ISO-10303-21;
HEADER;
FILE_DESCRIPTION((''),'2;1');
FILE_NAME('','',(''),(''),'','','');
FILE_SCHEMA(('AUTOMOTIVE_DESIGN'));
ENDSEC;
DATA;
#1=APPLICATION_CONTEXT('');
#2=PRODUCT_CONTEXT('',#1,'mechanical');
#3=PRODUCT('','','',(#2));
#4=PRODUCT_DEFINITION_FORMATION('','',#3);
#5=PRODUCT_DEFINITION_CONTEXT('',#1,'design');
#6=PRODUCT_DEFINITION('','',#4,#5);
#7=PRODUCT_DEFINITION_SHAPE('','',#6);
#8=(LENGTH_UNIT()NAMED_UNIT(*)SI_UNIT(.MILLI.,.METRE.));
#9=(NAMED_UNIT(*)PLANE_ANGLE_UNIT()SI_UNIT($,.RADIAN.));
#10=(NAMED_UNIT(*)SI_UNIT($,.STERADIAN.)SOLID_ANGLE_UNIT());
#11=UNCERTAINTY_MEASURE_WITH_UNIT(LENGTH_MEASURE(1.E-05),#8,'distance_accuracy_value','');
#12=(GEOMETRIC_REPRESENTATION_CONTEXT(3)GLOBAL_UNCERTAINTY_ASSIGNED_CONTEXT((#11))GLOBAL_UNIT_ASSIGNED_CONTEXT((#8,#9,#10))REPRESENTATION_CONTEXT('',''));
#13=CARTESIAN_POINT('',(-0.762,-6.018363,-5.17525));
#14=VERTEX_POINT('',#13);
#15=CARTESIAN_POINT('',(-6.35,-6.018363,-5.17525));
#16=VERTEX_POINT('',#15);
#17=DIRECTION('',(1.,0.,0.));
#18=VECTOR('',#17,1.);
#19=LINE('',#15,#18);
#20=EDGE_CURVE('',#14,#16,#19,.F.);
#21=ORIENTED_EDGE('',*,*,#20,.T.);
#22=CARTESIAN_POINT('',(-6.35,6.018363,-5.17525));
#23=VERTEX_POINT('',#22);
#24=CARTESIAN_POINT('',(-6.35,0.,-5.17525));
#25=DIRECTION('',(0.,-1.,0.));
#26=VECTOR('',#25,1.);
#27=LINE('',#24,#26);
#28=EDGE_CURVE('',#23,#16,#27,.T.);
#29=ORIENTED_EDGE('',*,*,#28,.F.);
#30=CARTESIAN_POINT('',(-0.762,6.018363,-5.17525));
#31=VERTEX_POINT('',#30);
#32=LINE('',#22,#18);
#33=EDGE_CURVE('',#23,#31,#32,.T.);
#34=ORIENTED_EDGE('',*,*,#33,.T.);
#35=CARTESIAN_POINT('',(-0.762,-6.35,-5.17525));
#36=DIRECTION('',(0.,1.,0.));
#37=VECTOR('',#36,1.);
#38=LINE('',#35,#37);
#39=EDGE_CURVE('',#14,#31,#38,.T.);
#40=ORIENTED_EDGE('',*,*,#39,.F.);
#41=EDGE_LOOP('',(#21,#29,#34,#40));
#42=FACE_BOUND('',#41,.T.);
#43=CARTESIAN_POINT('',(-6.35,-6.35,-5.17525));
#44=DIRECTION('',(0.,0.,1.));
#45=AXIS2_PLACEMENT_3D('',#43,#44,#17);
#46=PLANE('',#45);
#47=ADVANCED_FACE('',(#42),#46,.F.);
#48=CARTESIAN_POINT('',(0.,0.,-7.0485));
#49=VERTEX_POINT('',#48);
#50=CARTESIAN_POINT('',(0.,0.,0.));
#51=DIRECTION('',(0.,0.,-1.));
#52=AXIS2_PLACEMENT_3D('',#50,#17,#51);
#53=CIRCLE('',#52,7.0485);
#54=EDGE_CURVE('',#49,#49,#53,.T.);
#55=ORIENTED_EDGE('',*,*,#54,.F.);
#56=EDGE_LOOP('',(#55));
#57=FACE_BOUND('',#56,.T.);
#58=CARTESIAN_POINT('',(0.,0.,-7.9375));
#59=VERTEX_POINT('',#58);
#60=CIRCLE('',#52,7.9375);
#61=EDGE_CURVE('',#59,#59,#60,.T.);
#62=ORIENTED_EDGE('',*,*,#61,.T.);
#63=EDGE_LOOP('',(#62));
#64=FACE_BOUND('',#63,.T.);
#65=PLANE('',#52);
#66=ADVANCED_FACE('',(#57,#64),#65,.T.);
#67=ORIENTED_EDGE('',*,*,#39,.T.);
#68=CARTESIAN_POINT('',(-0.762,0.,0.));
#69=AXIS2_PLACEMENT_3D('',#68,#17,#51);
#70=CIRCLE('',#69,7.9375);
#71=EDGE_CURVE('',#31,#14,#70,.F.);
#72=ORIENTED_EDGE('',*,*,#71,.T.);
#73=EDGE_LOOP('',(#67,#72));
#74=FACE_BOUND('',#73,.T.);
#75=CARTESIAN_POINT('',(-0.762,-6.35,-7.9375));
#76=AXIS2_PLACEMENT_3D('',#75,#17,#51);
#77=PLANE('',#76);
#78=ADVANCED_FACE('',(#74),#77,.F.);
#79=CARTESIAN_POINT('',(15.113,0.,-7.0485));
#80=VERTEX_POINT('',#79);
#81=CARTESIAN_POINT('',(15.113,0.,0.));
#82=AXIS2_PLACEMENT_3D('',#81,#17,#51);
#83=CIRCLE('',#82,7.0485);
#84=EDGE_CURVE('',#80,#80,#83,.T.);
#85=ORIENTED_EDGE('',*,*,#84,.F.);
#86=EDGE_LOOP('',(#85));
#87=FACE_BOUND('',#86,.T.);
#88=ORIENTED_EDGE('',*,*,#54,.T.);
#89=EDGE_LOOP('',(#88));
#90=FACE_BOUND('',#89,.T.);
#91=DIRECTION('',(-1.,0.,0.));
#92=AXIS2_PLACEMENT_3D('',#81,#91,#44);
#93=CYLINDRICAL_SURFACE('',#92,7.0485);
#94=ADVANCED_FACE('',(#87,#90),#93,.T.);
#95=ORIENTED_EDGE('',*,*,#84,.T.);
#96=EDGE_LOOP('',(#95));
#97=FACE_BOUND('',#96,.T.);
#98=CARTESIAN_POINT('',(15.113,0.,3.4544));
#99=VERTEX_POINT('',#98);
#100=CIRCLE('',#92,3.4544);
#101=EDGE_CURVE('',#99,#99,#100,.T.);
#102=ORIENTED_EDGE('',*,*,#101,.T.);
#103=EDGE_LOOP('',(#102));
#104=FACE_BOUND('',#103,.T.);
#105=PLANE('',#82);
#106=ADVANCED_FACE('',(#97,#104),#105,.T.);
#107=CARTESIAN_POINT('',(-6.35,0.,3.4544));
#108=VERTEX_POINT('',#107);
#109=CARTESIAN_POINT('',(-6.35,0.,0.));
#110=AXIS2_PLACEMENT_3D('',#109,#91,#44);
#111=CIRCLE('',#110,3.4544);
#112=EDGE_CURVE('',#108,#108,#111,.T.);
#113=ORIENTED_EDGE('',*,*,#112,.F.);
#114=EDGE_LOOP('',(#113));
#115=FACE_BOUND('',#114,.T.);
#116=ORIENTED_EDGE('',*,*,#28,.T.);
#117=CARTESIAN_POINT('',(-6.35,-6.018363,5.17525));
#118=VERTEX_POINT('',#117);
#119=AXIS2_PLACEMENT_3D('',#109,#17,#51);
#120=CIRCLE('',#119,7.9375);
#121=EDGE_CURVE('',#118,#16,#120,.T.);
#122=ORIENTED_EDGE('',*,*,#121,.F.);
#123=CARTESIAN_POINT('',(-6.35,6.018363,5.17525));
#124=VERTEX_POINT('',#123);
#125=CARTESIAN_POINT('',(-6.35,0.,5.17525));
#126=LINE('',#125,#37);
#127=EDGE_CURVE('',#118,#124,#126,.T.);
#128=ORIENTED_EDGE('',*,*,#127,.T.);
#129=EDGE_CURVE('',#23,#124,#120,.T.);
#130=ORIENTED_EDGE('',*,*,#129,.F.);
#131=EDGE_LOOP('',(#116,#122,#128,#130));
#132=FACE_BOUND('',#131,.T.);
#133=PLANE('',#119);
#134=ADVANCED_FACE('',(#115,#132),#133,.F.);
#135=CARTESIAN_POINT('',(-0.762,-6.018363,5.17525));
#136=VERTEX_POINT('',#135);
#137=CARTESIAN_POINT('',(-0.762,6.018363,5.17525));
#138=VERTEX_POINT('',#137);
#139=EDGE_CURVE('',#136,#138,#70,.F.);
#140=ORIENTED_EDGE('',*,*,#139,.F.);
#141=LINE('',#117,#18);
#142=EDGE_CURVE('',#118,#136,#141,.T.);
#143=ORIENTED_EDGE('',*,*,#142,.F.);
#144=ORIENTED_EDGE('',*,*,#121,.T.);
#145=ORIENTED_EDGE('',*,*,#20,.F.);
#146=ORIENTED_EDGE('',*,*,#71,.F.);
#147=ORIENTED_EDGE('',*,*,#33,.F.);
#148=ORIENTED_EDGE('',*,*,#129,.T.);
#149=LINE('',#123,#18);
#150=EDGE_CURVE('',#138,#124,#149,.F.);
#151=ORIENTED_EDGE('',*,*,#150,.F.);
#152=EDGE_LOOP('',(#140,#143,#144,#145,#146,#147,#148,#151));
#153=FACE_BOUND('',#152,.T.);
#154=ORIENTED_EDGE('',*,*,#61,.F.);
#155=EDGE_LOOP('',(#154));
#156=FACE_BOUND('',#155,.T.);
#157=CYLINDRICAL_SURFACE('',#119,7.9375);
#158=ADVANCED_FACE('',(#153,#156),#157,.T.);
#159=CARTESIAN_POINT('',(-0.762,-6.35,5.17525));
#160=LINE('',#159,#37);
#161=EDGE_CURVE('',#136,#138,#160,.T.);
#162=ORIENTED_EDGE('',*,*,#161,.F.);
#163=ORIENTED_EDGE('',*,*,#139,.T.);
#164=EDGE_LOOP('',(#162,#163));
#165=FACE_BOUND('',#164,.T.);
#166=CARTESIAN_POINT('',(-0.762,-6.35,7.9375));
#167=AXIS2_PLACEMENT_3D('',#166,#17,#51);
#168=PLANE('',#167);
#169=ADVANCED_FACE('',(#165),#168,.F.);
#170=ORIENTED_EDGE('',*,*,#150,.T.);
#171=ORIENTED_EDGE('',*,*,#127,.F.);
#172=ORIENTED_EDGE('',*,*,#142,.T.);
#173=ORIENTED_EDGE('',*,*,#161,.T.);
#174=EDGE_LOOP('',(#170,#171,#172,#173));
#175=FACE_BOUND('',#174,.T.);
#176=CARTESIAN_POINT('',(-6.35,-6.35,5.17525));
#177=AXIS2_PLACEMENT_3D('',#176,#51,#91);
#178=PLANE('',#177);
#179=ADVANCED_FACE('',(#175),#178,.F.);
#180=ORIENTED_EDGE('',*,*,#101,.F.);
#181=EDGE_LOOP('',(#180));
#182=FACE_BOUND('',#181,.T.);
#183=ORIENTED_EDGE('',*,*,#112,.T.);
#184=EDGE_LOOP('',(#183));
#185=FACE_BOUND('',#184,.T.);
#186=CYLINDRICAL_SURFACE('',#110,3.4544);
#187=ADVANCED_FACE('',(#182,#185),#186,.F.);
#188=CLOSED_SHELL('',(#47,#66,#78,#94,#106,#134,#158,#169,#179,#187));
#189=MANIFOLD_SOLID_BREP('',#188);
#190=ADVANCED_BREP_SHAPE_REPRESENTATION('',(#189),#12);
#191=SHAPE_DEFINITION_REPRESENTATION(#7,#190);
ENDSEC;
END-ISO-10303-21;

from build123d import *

# Parameters (mm, degrees)
SKETCH2_R                = 7.9375
BOSS_EXTRUDE1_DEPTH      = 6.35
SKETCH3_R                = 7.0485
BOSS_EXTRUDE2_DEPTH      = 15.113
SKETCH4_W                = 5.588
SKETCH4_H                = 2.76225
CUT_EXTRUDE1_DEPTH       = 6.35
F_5_16_24_TAPPED_HOLE1_D = 6.9088


with BuildPart() as part:
    # Sketch2 → Boss-Extrude1 (new body)
    with BuildSketch(Plane(origin=(0, 0, 0), x_dir=(0, 0, -1), z_dir=(1, 0, 0))):
        Circle(SKETCH2_R)
    extrude(amount=-BOSS_EXTRUDE1_DEPTH)

    # Sketch3 → Boss-Extrude2 (add)
    with BuildSketch(Plane(origin=(0, 0, 0), x_dir=(0, 0, -1), z_dir=(1, 0, 0))):
        Circle(SKETCH3_R)
    extrude(amount=BOSS_EXTRUDE2_DEPTH)

    # Sketch4 → Cut-Extrude1 (cut, symmetric)
    with BuildSketch(Plane(origin=(0, 0, 0), x_dir=(1, 0, 0), z_dir=(0, 1, 0))):
        with Locations((-3.556, 6.556375)):
            Rectangle(SKETCH4_W, SKETCH4_H)
        with Locations((-3.556, -6.556375)):
            Rectangle(SKETCH4_W, SKETCH4_H)
    extrude(amount=CUT_EXTRUDE1_DEPTH, both=True, mode=Mode.SUBTRACT)

    # 5/16-24 Tapped Hole1 (through all)
    with Locations(Plane(origin=(-6.35, 0, 0), x_dir=(0, 0, -1), z_dir=(-1, 0, 0))):
        with Locations((0, 0)):
            Hole(F_5_16_24_TAPPED_HOLE1_D / 2)


solid = part.part
